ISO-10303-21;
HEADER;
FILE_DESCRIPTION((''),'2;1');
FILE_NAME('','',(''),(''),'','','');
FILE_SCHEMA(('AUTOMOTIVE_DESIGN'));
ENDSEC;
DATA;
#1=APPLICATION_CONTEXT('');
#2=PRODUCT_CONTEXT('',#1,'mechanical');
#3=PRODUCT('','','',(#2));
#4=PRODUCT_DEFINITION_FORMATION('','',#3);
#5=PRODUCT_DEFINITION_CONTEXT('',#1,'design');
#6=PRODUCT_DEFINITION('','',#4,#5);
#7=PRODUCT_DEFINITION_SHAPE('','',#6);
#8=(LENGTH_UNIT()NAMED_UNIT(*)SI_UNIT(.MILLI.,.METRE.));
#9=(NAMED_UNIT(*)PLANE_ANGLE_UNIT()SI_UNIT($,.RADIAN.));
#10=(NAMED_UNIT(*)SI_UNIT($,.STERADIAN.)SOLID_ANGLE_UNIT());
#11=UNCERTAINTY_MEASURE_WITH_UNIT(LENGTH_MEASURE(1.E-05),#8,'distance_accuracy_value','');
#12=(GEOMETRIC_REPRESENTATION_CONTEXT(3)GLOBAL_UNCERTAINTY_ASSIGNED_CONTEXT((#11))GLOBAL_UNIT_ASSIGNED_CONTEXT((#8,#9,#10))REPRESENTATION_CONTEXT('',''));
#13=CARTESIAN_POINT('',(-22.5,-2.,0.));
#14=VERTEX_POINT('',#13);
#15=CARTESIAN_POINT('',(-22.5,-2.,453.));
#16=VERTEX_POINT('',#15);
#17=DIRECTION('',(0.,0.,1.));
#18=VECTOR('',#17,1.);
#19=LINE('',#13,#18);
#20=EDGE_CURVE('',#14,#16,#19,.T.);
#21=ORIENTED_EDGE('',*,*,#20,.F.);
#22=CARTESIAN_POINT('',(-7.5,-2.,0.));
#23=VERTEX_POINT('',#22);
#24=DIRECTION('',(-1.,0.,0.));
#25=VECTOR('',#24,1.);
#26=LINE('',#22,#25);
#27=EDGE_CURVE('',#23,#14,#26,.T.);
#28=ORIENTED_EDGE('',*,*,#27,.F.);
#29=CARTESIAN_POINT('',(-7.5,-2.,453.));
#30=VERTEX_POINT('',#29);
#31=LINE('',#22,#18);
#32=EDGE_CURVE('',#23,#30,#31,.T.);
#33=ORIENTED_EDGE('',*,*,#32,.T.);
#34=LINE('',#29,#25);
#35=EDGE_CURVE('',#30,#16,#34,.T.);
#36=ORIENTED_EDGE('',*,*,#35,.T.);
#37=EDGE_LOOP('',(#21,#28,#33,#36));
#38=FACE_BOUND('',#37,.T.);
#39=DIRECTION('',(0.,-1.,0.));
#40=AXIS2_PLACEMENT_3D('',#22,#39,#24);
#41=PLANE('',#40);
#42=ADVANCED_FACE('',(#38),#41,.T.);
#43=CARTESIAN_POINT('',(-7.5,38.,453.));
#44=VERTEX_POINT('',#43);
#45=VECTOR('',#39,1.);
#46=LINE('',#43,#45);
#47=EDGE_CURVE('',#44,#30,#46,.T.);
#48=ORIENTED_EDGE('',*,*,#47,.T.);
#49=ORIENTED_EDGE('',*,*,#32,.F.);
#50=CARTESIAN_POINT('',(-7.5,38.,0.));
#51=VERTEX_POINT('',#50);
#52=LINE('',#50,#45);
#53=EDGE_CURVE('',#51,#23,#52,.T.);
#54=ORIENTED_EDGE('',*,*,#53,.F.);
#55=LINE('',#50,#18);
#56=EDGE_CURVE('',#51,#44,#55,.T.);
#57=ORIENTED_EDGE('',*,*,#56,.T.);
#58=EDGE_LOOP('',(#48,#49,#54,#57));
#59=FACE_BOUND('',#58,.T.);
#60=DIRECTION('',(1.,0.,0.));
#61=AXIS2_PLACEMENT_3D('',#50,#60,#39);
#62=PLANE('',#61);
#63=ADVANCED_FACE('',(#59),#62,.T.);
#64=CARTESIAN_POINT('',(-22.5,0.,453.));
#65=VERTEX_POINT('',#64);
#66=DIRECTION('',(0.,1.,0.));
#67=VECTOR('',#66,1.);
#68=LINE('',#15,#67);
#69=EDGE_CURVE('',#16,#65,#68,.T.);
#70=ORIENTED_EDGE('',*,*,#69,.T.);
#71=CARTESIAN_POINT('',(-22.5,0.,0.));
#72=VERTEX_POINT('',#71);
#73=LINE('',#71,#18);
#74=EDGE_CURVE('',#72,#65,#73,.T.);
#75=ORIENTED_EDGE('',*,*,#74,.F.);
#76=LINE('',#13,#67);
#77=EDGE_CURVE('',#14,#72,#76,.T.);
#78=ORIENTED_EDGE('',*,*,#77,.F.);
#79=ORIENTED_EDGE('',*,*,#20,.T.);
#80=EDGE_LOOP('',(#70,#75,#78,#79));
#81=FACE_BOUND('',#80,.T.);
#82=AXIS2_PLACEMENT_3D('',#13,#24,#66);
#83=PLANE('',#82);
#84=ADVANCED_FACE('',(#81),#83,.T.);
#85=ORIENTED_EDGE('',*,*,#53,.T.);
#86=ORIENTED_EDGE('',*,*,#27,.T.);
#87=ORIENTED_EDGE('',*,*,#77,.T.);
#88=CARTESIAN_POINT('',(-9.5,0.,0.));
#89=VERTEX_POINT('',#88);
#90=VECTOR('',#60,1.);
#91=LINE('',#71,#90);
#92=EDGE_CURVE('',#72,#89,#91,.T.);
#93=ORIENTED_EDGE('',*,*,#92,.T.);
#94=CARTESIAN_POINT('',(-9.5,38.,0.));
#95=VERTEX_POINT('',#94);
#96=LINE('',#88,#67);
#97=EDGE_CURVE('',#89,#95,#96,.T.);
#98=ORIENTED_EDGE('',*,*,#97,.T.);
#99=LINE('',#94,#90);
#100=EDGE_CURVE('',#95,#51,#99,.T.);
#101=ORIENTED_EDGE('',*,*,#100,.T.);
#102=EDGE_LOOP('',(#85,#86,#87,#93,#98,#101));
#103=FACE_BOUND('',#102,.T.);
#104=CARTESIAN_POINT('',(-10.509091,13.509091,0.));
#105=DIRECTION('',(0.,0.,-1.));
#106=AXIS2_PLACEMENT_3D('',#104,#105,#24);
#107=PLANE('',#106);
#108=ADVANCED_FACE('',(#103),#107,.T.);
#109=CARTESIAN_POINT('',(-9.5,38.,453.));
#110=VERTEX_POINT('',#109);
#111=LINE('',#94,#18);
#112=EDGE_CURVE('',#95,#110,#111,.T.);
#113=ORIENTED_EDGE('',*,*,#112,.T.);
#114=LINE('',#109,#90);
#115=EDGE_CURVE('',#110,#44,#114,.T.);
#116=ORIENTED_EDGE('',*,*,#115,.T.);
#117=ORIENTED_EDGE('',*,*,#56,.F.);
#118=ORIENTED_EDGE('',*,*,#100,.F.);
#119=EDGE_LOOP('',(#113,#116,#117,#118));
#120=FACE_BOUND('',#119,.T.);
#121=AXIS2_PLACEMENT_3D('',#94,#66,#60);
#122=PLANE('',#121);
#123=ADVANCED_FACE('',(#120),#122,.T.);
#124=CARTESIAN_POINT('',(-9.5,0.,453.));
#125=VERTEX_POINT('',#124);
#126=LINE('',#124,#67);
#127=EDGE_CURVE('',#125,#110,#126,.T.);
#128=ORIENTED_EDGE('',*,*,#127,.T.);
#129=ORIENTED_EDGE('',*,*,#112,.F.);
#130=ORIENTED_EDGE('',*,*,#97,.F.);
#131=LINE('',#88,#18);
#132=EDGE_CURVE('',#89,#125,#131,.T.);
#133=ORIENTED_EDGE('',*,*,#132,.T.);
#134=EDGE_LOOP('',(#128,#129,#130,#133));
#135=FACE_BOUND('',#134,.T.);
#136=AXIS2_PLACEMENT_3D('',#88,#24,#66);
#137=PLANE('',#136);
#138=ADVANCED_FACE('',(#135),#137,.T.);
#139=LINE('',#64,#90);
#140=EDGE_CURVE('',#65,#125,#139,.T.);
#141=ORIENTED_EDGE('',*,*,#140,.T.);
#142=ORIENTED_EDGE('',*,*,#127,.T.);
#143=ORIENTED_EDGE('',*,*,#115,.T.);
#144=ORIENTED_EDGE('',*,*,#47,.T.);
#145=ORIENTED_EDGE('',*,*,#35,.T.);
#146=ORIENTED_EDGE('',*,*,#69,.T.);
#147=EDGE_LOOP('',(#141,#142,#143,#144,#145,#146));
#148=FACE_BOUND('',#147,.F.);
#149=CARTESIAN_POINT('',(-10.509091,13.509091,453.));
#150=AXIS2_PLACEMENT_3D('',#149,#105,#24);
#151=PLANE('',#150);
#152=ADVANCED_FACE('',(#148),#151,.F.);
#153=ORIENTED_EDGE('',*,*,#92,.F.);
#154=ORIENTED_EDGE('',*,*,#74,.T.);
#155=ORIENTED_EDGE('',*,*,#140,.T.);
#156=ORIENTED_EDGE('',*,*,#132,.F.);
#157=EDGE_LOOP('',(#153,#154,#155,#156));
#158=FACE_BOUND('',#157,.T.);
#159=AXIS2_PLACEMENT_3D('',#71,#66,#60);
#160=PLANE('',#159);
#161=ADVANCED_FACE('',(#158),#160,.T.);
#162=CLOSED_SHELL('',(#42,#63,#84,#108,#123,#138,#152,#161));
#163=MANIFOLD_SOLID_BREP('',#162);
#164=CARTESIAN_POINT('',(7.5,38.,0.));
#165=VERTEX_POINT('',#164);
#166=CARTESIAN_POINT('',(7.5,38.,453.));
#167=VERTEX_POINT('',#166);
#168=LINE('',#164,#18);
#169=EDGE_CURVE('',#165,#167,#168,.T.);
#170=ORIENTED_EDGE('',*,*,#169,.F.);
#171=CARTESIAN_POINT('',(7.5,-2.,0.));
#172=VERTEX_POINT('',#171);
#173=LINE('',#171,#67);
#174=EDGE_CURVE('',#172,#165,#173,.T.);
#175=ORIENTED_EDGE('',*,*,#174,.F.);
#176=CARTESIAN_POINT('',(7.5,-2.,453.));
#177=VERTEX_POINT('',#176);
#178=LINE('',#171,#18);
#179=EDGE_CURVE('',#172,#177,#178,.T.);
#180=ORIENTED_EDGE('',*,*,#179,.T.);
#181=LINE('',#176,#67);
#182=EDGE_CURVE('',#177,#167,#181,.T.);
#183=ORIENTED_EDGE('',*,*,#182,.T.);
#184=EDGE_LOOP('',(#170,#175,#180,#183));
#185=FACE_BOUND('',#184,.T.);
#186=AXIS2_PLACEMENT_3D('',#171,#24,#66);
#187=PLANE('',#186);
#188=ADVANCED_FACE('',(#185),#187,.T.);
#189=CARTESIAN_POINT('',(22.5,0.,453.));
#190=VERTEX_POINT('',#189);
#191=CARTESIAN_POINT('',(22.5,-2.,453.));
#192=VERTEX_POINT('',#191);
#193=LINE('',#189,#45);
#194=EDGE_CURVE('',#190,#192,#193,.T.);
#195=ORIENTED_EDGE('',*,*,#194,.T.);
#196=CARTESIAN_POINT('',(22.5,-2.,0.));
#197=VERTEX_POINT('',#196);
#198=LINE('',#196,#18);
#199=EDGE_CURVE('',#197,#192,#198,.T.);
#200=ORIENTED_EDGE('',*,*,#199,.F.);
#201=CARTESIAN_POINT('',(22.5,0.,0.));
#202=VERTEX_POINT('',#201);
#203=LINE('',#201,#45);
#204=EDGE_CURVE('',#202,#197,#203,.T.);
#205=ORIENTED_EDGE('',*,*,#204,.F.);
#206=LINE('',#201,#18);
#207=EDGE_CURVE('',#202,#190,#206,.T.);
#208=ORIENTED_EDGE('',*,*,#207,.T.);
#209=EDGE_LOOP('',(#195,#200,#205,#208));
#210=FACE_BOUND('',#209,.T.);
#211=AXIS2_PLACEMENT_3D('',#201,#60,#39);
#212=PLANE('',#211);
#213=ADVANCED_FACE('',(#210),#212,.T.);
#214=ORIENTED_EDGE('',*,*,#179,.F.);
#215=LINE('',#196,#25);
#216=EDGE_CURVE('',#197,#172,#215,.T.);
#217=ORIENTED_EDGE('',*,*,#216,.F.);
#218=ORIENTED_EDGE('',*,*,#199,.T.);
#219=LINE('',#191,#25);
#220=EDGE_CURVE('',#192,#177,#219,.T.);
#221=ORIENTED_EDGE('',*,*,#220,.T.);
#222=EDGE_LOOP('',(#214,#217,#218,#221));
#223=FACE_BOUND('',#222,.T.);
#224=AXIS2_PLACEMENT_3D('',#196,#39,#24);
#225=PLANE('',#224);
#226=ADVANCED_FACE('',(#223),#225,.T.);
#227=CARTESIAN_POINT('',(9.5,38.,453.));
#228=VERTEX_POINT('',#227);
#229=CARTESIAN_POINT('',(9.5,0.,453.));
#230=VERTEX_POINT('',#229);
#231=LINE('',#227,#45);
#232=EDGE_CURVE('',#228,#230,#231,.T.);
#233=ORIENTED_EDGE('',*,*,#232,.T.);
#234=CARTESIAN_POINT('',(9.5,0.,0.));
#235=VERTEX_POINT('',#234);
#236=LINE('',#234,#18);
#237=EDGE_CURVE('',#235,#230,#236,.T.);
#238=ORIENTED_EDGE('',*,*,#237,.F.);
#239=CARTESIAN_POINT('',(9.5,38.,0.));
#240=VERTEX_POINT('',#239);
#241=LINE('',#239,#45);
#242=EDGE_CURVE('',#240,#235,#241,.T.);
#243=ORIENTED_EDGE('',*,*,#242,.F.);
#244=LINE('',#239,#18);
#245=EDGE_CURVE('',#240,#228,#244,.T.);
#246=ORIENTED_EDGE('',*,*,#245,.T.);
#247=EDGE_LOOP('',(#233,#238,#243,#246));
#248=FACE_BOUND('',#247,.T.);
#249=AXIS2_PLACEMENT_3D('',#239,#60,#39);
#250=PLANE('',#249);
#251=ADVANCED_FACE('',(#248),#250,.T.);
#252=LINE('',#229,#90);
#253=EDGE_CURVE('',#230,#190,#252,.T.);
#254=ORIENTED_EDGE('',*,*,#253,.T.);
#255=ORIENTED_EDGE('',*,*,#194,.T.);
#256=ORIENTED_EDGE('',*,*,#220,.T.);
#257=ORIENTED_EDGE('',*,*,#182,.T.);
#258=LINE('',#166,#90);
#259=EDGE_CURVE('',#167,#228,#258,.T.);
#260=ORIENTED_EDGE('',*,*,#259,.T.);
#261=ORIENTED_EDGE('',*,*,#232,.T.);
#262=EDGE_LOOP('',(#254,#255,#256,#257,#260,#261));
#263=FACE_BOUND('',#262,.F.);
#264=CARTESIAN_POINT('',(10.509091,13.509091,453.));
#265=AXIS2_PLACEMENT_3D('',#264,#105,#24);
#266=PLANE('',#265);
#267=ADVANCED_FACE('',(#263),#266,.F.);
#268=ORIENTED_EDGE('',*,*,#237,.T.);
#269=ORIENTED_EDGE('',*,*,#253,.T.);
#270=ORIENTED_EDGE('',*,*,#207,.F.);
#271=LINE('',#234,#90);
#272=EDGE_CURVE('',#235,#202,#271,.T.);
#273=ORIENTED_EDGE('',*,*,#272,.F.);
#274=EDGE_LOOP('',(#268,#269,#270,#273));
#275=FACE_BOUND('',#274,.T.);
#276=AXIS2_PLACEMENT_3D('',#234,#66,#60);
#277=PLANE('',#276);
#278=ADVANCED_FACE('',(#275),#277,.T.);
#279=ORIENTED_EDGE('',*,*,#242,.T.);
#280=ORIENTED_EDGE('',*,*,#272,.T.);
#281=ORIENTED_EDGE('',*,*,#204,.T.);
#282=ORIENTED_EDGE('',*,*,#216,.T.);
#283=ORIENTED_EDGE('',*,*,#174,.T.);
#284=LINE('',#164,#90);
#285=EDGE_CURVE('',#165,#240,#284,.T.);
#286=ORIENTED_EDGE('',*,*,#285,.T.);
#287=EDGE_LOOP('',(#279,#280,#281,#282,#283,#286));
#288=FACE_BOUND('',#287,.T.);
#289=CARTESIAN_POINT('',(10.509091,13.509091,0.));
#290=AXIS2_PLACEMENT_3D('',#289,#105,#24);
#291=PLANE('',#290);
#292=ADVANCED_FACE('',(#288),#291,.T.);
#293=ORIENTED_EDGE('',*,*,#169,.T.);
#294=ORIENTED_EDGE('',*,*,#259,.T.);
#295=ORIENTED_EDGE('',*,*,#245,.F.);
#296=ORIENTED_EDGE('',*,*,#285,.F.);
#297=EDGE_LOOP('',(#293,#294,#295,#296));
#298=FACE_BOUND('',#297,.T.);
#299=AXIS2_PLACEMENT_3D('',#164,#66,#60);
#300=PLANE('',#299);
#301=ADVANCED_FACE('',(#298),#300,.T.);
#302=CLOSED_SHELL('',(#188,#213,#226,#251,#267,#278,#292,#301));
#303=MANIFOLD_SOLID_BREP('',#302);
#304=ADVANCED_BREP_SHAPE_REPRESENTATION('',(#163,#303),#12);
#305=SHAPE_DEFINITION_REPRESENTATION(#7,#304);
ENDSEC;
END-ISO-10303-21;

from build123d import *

# Parameters (mm, degrees)
PAD_DEPTH = 453


with BuildPart() as part:
    # Sketch → Pad (new body)
    with BuildSketch(Plane.XY):
        Polygon((-9.5, 38), (-7.5, 38), (-7.5, -2), (-22.5, -2), (-22.5, 0), (-9.5, 0), align=None)
        Polygon((7.5, -2), (7.5, 38), (9.5, 38), (9.5, 0), (22.5, 0), (22.5, -2), align=None)
    extrude(amount=PAD_DEPTH)


solid = part.part
